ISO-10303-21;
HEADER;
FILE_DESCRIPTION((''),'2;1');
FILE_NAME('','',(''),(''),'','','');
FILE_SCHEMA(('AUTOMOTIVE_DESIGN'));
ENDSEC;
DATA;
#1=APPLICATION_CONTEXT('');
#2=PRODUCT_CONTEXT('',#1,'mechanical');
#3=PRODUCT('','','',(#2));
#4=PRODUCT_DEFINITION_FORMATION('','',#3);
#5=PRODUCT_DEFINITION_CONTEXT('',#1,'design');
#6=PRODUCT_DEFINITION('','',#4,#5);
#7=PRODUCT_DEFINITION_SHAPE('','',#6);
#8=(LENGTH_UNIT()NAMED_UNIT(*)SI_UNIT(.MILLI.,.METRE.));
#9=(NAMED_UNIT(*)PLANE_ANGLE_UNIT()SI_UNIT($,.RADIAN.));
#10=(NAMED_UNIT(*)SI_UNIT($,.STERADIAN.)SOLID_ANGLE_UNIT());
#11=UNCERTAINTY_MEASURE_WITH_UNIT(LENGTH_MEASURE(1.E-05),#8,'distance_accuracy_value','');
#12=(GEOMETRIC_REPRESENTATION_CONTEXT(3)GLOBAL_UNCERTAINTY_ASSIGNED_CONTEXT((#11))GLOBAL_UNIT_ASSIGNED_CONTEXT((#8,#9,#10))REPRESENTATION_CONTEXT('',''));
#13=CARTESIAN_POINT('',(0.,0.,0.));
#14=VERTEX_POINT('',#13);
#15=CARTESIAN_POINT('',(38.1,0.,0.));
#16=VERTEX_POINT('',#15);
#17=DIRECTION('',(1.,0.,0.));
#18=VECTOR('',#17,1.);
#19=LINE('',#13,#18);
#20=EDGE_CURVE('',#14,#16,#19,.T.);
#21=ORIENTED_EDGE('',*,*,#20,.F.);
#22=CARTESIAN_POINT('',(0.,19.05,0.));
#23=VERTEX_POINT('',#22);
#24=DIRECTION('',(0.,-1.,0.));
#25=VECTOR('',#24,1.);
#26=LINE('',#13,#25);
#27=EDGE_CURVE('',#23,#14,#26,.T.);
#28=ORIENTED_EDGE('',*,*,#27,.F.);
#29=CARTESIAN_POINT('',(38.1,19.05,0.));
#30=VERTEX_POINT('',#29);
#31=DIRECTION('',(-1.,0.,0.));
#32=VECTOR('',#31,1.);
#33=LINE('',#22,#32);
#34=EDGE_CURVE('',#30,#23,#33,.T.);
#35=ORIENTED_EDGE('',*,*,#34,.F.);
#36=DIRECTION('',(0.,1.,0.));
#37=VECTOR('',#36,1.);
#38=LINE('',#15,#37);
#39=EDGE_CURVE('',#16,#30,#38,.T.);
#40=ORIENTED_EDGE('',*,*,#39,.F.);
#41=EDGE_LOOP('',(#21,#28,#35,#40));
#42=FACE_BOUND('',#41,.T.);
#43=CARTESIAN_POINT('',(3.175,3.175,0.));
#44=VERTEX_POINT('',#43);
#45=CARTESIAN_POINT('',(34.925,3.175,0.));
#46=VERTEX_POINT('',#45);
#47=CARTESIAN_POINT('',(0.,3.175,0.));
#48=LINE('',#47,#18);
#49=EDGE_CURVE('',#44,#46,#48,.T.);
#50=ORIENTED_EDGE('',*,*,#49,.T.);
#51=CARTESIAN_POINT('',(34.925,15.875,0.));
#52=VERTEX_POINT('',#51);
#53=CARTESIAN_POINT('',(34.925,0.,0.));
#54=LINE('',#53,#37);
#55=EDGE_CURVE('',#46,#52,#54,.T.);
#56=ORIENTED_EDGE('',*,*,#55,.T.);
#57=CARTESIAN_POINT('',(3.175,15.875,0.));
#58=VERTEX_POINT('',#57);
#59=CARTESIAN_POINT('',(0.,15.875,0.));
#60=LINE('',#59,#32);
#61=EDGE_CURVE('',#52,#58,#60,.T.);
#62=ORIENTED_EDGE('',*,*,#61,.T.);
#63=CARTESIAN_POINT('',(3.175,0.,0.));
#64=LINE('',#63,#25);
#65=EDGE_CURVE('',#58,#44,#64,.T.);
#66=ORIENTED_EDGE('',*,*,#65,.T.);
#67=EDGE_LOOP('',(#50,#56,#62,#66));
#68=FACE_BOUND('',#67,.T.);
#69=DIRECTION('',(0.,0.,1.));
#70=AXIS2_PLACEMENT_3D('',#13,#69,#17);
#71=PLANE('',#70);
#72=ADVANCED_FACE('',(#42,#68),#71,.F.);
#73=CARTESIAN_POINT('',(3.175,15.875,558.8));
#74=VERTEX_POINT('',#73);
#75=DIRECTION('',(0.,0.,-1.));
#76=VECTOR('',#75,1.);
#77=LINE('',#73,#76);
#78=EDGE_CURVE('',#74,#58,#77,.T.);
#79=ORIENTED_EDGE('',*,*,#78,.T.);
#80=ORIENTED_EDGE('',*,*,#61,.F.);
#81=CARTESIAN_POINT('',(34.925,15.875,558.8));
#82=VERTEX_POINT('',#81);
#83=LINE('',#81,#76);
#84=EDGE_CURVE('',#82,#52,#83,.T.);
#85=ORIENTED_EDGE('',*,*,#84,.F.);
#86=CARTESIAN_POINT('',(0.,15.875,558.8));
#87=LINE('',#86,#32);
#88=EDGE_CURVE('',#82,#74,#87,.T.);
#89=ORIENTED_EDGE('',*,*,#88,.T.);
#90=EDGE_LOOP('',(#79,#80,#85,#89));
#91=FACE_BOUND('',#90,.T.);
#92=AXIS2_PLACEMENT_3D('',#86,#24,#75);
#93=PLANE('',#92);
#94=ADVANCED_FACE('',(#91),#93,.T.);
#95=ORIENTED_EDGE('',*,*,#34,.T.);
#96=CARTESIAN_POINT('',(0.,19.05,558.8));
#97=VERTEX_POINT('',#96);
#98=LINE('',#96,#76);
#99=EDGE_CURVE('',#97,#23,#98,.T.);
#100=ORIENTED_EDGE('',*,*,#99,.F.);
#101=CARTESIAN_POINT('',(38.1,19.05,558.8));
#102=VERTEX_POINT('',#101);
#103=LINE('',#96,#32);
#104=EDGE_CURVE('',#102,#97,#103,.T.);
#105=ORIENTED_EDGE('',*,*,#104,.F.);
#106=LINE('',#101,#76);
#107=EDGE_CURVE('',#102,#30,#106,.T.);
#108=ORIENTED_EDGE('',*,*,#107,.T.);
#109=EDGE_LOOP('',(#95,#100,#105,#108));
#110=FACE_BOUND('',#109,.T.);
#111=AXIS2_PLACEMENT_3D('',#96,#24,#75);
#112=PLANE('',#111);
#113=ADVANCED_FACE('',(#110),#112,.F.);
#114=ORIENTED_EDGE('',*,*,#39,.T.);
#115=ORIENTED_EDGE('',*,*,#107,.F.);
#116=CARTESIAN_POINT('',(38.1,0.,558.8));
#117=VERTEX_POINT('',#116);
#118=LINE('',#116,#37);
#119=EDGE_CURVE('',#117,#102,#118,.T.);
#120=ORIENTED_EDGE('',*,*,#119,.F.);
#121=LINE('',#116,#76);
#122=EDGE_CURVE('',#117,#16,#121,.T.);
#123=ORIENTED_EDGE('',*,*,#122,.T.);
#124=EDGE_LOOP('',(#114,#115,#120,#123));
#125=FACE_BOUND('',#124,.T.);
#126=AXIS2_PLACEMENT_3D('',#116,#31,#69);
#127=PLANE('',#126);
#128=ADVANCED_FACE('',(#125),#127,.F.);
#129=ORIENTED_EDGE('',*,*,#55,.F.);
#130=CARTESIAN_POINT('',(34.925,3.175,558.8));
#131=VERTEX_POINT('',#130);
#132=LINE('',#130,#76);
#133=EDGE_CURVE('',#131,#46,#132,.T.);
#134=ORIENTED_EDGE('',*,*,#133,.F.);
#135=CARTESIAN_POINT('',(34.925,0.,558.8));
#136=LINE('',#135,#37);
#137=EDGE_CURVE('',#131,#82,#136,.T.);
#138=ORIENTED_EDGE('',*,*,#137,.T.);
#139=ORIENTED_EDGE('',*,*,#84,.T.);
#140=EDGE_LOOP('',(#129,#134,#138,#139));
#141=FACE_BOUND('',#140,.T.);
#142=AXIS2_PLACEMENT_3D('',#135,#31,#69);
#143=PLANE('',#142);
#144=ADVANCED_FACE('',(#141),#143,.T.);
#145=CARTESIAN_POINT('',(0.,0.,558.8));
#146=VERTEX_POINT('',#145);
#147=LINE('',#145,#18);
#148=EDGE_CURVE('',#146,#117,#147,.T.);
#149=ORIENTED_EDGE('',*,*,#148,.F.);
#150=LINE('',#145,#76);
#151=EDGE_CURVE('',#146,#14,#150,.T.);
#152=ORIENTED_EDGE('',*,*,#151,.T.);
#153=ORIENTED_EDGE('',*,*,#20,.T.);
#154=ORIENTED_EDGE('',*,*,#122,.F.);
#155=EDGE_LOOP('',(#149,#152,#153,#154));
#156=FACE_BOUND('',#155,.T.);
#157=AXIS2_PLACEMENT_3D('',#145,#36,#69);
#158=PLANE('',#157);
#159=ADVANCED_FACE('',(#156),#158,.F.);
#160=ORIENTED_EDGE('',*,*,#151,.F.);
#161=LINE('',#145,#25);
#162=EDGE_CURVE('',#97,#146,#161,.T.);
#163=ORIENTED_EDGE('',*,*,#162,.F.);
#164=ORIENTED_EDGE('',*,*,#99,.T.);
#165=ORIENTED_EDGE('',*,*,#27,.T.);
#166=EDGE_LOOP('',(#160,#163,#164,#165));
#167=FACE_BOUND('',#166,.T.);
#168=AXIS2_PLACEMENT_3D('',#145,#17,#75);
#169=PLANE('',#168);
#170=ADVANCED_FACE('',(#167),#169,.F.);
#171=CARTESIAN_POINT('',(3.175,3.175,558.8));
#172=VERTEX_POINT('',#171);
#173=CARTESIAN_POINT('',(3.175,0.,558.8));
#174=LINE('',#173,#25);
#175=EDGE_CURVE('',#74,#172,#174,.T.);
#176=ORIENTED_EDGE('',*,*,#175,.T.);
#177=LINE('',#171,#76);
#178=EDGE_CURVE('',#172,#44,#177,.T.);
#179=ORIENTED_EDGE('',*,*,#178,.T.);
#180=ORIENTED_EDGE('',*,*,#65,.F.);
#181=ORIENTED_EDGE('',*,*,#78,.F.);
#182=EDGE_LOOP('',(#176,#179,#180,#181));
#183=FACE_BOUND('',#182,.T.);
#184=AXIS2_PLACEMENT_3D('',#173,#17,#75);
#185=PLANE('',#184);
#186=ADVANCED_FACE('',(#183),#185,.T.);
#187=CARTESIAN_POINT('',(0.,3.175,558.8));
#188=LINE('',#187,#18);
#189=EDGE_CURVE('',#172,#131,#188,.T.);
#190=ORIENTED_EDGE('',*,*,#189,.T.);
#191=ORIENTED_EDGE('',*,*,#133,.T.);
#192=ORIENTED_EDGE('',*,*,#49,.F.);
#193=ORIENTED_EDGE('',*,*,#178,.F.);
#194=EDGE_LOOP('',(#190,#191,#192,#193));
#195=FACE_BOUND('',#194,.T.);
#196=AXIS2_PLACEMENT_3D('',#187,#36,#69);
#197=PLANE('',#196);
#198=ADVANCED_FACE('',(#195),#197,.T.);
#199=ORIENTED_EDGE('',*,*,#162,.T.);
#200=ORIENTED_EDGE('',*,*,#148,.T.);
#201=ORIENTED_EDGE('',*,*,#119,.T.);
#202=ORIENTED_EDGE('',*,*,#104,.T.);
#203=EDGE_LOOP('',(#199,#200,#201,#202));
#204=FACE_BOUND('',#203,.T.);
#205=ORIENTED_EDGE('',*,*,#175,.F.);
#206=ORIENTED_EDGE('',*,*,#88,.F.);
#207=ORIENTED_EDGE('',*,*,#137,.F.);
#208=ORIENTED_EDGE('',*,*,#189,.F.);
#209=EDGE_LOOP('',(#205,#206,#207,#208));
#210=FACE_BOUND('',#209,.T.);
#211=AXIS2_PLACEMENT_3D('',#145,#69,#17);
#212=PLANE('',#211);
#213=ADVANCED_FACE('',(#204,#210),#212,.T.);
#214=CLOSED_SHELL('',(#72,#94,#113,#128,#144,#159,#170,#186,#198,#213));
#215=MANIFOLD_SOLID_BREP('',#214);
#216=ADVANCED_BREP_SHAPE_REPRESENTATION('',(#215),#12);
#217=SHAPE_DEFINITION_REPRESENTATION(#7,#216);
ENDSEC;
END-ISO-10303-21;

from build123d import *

# Parameters (mm, degrees)
SKETCH1_W           = 38.1
SKETCH1_H           = 19.05
SKETCH1_W_2         = 31.75
SKETCH1_H_2         = 12.7
EXTRUDE_THIN1_DEPTH = 558.8


with BuildPart() as part:
    # Sketch1 → Extrude-Thin1 (new body)
    with BuildSketch(Plane.XY):
        with Locations((19.05, 9.525)):
            Rectangle(SKETCH1_W, SKETCH1_H)
        with Locations((19.05, 9.525)):
            Rectangle(SKETCH1_W_2, SKETCH1_H_2, mode=Mode.SUBTRACT)
    extrude(amount=EXTRUDE_THIN1_DEPTH)


solid = part.part
